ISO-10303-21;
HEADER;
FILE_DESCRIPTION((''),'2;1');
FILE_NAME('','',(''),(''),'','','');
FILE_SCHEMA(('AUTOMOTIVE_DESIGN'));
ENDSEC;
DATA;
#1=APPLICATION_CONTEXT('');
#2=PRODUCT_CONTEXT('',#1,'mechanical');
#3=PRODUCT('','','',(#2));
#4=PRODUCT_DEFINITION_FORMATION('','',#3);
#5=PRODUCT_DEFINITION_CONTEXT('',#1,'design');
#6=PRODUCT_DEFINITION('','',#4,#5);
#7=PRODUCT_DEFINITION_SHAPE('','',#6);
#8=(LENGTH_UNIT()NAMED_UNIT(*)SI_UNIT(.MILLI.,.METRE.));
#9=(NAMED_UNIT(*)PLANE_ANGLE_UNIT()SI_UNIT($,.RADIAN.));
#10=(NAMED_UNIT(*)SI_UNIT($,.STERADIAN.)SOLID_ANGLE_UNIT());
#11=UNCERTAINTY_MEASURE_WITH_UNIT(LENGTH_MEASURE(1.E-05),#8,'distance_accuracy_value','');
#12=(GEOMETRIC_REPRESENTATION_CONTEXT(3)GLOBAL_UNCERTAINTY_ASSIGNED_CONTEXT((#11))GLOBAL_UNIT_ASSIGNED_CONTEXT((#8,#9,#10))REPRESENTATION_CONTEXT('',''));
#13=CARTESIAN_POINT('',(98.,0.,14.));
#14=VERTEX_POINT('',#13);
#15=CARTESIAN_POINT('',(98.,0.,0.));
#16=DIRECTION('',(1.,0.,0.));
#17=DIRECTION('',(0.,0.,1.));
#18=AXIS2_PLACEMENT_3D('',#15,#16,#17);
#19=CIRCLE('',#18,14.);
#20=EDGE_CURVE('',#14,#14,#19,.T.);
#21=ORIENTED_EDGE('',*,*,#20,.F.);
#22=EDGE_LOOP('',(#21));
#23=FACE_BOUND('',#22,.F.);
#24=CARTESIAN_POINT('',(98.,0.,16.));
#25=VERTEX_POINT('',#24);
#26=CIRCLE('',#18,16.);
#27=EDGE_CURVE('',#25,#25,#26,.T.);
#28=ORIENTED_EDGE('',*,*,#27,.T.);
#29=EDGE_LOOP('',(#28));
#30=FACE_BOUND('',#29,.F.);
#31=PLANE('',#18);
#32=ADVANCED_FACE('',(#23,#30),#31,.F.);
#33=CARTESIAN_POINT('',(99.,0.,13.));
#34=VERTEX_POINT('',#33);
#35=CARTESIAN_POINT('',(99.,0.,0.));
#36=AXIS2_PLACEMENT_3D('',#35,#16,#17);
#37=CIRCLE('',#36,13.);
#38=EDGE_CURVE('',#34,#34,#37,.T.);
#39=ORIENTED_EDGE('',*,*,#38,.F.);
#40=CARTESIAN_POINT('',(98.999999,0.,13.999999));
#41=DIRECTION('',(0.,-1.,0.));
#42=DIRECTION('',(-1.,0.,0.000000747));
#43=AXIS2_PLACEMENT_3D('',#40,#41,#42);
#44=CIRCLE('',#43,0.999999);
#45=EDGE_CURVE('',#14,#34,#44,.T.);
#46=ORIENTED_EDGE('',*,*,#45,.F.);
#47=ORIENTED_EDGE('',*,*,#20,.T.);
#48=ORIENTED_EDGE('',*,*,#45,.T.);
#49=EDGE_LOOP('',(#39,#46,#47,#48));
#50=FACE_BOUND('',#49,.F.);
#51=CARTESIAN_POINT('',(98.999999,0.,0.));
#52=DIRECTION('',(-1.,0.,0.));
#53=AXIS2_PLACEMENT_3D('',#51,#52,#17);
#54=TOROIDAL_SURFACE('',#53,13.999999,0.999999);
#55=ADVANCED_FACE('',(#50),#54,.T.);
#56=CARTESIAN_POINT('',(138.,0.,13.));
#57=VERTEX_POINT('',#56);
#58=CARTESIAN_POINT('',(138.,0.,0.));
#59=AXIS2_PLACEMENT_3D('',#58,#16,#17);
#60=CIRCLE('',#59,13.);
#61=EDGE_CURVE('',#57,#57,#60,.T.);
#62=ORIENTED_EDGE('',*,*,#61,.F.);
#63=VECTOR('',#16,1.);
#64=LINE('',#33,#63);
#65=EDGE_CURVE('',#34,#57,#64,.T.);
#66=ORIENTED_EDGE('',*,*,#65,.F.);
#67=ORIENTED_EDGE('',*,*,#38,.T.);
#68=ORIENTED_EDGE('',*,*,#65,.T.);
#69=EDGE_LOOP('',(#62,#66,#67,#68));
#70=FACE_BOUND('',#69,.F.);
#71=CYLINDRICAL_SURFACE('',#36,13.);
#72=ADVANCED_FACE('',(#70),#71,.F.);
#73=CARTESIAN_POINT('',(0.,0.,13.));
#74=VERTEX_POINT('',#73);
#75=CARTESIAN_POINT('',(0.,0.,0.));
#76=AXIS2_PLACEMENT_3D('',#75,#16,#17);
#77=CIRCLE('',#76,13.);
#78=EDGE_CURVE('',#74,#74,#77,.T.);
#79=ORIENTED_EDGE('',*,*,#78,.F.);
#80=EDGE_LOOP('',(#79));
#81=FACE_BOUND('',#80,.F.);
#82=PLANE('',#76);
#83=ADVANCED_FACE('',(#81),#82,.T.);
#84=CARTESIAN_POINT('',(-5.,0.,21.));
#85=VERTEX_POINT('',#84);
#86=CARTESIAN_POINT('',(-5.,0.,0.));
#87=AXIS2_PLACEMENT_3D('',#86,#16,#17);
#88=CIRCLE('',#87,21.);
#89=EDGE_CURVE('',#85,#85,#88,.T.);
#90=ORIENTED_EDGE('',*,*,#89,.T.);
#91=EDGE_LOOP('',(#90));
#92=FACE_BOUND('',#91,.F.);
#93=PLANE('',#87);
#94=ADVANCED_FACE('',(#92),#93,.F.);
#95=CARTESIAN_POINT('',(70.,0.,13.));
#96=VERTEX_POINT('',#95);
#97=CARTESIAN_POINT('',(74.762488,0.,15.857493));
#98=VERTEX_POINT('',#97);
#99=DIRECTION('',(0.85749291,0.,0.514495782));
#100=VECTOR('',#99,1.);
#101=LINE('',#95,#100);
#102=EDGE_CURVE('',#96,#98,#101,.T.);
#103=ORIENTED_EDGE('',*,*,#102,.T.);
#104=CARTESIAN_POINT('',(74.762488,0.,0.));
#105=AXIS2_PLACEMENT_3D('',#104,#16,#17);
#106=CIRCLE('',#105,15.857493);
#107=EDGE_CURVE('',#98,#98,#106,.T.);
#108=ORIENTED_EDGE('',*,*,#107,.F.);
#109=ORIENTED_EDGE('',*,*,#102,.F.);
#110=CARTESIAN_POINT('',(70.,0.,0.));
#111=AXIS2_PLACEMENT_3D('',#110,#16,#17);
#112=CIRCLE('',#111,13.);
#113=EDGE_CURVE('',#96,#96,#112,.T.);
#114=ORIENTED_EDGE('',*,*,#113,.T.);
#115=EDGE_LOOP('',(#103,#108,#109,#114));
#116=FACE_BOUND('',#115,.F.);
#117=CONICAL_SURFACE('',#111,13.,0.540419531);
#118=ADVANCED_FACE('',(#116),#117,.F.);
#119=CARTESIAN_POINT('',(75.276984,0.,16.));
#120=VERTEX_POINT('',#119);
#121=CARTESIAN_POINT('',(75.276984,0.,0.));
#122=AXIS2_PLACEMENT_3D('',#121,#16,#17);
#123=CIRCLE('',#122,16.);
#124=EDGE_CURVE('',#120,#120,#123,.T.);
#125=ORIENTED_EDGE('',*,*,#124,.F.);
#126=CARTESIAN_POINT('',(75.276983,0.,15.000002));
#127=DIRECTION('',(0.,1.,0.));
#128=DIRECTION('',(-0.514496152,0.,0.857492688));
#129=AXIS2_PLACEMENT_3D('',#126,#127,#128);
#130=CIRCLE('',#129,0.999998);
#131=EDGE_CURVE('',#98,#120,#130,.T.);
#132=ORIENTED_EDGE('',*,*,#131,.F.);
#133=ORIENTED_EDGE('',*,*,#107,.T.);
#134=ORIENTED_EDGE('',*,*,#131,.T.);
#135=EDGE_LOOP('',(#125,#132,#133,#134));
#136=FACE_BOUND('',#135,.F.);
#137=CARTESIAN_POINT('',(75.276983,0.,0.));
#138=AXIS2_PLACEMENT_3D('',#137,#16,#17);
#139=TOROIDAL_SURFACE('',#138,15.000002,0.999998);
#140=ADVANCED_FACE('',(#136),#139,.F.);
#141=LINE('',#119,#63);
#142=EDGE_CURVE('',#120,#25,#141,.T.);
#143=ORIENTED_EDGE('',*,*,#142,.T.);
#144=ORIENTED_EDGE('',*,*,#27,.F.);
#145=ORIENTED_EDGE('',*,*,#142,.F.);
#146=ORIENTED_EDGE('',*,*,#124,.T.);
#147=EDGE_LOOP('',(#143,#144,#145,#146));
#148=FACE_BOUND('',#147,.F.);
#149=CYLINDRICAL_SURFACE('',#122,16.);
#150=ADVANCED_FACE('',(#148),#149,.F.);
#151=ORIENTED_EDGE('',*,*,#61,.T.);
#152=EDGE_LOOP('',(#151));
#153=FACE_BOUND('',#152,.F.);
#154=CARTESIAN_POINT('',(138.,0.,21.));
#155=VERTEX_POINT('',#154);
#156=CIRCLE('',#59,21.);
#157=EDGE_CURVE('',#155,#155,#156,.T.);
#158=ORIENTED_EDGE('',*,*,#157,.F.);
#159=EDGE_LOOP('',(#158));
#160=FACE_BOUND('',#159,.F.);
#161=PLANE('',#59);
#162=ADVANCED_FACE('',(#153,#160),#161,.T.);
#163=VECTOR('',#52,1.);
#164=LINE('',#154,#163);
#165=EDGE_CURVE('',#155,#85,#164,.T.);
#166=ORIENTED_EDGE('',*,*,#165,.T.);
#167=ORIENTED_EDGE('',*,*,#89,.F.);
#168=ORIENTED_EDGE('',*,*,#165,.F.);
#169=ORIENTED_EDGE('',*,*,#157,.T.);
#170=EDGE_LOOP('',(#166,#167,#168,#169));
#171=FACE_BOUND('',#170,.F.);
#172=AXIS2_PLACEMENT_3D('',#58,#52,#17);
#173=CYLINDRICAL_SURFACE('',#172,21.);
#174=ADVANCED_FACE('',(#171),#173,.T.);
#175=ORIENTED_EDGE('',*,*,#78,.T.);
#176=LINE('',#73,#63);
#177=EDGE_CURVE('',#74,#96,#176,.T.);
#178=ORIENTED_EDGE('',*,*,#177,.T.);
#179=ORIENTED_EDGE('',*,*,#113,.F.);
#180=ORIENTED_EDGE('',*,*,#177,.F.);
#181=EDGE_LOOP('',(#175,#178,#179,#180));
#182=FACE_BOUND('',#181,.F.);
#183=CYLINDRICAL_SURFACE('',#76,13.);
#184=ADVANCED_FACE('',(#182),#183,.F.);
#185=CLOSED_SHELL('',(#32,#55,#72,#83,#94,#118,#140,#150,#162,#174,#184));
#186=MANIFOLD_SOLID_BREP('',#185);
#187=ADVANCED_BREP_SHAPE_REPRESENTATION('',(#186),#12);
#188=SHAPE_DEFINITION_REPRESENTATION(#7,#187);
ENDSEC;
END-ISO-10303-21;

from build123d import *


with BuildPart() as f1:
    # F0 (on Front) → F1 (revolve)
    with BuildSketch(Plane.XZ):
        with BuildLine():
            Line((70, 13), (74.762488, 15.857493))
            ThreePointArc((74.762488, 15.857493), (75.01005, 15.963715), (75.276984, 16))
            Line((75.276984, 16), (98, 16))
            Line((98, 16), (98, 14))
            ThreePointArc((98, 14), (98.292893, 13.292893), (99, 13))
            Line((99, 13), (138, 13))
            Line((138, 13), (138, 21))
            Line((138, 21), (-5, 21))
            Line((-5, 21), (-5, 0))
            Line((-5, 0), (0, 0))
            Line((0, 0), (0, 13))
            Line((0, 13), (70, 13))
        make_face()
    revolve(axis=Axis((35, 0, 0), (1, 0, 0)))


solid = f1.part
